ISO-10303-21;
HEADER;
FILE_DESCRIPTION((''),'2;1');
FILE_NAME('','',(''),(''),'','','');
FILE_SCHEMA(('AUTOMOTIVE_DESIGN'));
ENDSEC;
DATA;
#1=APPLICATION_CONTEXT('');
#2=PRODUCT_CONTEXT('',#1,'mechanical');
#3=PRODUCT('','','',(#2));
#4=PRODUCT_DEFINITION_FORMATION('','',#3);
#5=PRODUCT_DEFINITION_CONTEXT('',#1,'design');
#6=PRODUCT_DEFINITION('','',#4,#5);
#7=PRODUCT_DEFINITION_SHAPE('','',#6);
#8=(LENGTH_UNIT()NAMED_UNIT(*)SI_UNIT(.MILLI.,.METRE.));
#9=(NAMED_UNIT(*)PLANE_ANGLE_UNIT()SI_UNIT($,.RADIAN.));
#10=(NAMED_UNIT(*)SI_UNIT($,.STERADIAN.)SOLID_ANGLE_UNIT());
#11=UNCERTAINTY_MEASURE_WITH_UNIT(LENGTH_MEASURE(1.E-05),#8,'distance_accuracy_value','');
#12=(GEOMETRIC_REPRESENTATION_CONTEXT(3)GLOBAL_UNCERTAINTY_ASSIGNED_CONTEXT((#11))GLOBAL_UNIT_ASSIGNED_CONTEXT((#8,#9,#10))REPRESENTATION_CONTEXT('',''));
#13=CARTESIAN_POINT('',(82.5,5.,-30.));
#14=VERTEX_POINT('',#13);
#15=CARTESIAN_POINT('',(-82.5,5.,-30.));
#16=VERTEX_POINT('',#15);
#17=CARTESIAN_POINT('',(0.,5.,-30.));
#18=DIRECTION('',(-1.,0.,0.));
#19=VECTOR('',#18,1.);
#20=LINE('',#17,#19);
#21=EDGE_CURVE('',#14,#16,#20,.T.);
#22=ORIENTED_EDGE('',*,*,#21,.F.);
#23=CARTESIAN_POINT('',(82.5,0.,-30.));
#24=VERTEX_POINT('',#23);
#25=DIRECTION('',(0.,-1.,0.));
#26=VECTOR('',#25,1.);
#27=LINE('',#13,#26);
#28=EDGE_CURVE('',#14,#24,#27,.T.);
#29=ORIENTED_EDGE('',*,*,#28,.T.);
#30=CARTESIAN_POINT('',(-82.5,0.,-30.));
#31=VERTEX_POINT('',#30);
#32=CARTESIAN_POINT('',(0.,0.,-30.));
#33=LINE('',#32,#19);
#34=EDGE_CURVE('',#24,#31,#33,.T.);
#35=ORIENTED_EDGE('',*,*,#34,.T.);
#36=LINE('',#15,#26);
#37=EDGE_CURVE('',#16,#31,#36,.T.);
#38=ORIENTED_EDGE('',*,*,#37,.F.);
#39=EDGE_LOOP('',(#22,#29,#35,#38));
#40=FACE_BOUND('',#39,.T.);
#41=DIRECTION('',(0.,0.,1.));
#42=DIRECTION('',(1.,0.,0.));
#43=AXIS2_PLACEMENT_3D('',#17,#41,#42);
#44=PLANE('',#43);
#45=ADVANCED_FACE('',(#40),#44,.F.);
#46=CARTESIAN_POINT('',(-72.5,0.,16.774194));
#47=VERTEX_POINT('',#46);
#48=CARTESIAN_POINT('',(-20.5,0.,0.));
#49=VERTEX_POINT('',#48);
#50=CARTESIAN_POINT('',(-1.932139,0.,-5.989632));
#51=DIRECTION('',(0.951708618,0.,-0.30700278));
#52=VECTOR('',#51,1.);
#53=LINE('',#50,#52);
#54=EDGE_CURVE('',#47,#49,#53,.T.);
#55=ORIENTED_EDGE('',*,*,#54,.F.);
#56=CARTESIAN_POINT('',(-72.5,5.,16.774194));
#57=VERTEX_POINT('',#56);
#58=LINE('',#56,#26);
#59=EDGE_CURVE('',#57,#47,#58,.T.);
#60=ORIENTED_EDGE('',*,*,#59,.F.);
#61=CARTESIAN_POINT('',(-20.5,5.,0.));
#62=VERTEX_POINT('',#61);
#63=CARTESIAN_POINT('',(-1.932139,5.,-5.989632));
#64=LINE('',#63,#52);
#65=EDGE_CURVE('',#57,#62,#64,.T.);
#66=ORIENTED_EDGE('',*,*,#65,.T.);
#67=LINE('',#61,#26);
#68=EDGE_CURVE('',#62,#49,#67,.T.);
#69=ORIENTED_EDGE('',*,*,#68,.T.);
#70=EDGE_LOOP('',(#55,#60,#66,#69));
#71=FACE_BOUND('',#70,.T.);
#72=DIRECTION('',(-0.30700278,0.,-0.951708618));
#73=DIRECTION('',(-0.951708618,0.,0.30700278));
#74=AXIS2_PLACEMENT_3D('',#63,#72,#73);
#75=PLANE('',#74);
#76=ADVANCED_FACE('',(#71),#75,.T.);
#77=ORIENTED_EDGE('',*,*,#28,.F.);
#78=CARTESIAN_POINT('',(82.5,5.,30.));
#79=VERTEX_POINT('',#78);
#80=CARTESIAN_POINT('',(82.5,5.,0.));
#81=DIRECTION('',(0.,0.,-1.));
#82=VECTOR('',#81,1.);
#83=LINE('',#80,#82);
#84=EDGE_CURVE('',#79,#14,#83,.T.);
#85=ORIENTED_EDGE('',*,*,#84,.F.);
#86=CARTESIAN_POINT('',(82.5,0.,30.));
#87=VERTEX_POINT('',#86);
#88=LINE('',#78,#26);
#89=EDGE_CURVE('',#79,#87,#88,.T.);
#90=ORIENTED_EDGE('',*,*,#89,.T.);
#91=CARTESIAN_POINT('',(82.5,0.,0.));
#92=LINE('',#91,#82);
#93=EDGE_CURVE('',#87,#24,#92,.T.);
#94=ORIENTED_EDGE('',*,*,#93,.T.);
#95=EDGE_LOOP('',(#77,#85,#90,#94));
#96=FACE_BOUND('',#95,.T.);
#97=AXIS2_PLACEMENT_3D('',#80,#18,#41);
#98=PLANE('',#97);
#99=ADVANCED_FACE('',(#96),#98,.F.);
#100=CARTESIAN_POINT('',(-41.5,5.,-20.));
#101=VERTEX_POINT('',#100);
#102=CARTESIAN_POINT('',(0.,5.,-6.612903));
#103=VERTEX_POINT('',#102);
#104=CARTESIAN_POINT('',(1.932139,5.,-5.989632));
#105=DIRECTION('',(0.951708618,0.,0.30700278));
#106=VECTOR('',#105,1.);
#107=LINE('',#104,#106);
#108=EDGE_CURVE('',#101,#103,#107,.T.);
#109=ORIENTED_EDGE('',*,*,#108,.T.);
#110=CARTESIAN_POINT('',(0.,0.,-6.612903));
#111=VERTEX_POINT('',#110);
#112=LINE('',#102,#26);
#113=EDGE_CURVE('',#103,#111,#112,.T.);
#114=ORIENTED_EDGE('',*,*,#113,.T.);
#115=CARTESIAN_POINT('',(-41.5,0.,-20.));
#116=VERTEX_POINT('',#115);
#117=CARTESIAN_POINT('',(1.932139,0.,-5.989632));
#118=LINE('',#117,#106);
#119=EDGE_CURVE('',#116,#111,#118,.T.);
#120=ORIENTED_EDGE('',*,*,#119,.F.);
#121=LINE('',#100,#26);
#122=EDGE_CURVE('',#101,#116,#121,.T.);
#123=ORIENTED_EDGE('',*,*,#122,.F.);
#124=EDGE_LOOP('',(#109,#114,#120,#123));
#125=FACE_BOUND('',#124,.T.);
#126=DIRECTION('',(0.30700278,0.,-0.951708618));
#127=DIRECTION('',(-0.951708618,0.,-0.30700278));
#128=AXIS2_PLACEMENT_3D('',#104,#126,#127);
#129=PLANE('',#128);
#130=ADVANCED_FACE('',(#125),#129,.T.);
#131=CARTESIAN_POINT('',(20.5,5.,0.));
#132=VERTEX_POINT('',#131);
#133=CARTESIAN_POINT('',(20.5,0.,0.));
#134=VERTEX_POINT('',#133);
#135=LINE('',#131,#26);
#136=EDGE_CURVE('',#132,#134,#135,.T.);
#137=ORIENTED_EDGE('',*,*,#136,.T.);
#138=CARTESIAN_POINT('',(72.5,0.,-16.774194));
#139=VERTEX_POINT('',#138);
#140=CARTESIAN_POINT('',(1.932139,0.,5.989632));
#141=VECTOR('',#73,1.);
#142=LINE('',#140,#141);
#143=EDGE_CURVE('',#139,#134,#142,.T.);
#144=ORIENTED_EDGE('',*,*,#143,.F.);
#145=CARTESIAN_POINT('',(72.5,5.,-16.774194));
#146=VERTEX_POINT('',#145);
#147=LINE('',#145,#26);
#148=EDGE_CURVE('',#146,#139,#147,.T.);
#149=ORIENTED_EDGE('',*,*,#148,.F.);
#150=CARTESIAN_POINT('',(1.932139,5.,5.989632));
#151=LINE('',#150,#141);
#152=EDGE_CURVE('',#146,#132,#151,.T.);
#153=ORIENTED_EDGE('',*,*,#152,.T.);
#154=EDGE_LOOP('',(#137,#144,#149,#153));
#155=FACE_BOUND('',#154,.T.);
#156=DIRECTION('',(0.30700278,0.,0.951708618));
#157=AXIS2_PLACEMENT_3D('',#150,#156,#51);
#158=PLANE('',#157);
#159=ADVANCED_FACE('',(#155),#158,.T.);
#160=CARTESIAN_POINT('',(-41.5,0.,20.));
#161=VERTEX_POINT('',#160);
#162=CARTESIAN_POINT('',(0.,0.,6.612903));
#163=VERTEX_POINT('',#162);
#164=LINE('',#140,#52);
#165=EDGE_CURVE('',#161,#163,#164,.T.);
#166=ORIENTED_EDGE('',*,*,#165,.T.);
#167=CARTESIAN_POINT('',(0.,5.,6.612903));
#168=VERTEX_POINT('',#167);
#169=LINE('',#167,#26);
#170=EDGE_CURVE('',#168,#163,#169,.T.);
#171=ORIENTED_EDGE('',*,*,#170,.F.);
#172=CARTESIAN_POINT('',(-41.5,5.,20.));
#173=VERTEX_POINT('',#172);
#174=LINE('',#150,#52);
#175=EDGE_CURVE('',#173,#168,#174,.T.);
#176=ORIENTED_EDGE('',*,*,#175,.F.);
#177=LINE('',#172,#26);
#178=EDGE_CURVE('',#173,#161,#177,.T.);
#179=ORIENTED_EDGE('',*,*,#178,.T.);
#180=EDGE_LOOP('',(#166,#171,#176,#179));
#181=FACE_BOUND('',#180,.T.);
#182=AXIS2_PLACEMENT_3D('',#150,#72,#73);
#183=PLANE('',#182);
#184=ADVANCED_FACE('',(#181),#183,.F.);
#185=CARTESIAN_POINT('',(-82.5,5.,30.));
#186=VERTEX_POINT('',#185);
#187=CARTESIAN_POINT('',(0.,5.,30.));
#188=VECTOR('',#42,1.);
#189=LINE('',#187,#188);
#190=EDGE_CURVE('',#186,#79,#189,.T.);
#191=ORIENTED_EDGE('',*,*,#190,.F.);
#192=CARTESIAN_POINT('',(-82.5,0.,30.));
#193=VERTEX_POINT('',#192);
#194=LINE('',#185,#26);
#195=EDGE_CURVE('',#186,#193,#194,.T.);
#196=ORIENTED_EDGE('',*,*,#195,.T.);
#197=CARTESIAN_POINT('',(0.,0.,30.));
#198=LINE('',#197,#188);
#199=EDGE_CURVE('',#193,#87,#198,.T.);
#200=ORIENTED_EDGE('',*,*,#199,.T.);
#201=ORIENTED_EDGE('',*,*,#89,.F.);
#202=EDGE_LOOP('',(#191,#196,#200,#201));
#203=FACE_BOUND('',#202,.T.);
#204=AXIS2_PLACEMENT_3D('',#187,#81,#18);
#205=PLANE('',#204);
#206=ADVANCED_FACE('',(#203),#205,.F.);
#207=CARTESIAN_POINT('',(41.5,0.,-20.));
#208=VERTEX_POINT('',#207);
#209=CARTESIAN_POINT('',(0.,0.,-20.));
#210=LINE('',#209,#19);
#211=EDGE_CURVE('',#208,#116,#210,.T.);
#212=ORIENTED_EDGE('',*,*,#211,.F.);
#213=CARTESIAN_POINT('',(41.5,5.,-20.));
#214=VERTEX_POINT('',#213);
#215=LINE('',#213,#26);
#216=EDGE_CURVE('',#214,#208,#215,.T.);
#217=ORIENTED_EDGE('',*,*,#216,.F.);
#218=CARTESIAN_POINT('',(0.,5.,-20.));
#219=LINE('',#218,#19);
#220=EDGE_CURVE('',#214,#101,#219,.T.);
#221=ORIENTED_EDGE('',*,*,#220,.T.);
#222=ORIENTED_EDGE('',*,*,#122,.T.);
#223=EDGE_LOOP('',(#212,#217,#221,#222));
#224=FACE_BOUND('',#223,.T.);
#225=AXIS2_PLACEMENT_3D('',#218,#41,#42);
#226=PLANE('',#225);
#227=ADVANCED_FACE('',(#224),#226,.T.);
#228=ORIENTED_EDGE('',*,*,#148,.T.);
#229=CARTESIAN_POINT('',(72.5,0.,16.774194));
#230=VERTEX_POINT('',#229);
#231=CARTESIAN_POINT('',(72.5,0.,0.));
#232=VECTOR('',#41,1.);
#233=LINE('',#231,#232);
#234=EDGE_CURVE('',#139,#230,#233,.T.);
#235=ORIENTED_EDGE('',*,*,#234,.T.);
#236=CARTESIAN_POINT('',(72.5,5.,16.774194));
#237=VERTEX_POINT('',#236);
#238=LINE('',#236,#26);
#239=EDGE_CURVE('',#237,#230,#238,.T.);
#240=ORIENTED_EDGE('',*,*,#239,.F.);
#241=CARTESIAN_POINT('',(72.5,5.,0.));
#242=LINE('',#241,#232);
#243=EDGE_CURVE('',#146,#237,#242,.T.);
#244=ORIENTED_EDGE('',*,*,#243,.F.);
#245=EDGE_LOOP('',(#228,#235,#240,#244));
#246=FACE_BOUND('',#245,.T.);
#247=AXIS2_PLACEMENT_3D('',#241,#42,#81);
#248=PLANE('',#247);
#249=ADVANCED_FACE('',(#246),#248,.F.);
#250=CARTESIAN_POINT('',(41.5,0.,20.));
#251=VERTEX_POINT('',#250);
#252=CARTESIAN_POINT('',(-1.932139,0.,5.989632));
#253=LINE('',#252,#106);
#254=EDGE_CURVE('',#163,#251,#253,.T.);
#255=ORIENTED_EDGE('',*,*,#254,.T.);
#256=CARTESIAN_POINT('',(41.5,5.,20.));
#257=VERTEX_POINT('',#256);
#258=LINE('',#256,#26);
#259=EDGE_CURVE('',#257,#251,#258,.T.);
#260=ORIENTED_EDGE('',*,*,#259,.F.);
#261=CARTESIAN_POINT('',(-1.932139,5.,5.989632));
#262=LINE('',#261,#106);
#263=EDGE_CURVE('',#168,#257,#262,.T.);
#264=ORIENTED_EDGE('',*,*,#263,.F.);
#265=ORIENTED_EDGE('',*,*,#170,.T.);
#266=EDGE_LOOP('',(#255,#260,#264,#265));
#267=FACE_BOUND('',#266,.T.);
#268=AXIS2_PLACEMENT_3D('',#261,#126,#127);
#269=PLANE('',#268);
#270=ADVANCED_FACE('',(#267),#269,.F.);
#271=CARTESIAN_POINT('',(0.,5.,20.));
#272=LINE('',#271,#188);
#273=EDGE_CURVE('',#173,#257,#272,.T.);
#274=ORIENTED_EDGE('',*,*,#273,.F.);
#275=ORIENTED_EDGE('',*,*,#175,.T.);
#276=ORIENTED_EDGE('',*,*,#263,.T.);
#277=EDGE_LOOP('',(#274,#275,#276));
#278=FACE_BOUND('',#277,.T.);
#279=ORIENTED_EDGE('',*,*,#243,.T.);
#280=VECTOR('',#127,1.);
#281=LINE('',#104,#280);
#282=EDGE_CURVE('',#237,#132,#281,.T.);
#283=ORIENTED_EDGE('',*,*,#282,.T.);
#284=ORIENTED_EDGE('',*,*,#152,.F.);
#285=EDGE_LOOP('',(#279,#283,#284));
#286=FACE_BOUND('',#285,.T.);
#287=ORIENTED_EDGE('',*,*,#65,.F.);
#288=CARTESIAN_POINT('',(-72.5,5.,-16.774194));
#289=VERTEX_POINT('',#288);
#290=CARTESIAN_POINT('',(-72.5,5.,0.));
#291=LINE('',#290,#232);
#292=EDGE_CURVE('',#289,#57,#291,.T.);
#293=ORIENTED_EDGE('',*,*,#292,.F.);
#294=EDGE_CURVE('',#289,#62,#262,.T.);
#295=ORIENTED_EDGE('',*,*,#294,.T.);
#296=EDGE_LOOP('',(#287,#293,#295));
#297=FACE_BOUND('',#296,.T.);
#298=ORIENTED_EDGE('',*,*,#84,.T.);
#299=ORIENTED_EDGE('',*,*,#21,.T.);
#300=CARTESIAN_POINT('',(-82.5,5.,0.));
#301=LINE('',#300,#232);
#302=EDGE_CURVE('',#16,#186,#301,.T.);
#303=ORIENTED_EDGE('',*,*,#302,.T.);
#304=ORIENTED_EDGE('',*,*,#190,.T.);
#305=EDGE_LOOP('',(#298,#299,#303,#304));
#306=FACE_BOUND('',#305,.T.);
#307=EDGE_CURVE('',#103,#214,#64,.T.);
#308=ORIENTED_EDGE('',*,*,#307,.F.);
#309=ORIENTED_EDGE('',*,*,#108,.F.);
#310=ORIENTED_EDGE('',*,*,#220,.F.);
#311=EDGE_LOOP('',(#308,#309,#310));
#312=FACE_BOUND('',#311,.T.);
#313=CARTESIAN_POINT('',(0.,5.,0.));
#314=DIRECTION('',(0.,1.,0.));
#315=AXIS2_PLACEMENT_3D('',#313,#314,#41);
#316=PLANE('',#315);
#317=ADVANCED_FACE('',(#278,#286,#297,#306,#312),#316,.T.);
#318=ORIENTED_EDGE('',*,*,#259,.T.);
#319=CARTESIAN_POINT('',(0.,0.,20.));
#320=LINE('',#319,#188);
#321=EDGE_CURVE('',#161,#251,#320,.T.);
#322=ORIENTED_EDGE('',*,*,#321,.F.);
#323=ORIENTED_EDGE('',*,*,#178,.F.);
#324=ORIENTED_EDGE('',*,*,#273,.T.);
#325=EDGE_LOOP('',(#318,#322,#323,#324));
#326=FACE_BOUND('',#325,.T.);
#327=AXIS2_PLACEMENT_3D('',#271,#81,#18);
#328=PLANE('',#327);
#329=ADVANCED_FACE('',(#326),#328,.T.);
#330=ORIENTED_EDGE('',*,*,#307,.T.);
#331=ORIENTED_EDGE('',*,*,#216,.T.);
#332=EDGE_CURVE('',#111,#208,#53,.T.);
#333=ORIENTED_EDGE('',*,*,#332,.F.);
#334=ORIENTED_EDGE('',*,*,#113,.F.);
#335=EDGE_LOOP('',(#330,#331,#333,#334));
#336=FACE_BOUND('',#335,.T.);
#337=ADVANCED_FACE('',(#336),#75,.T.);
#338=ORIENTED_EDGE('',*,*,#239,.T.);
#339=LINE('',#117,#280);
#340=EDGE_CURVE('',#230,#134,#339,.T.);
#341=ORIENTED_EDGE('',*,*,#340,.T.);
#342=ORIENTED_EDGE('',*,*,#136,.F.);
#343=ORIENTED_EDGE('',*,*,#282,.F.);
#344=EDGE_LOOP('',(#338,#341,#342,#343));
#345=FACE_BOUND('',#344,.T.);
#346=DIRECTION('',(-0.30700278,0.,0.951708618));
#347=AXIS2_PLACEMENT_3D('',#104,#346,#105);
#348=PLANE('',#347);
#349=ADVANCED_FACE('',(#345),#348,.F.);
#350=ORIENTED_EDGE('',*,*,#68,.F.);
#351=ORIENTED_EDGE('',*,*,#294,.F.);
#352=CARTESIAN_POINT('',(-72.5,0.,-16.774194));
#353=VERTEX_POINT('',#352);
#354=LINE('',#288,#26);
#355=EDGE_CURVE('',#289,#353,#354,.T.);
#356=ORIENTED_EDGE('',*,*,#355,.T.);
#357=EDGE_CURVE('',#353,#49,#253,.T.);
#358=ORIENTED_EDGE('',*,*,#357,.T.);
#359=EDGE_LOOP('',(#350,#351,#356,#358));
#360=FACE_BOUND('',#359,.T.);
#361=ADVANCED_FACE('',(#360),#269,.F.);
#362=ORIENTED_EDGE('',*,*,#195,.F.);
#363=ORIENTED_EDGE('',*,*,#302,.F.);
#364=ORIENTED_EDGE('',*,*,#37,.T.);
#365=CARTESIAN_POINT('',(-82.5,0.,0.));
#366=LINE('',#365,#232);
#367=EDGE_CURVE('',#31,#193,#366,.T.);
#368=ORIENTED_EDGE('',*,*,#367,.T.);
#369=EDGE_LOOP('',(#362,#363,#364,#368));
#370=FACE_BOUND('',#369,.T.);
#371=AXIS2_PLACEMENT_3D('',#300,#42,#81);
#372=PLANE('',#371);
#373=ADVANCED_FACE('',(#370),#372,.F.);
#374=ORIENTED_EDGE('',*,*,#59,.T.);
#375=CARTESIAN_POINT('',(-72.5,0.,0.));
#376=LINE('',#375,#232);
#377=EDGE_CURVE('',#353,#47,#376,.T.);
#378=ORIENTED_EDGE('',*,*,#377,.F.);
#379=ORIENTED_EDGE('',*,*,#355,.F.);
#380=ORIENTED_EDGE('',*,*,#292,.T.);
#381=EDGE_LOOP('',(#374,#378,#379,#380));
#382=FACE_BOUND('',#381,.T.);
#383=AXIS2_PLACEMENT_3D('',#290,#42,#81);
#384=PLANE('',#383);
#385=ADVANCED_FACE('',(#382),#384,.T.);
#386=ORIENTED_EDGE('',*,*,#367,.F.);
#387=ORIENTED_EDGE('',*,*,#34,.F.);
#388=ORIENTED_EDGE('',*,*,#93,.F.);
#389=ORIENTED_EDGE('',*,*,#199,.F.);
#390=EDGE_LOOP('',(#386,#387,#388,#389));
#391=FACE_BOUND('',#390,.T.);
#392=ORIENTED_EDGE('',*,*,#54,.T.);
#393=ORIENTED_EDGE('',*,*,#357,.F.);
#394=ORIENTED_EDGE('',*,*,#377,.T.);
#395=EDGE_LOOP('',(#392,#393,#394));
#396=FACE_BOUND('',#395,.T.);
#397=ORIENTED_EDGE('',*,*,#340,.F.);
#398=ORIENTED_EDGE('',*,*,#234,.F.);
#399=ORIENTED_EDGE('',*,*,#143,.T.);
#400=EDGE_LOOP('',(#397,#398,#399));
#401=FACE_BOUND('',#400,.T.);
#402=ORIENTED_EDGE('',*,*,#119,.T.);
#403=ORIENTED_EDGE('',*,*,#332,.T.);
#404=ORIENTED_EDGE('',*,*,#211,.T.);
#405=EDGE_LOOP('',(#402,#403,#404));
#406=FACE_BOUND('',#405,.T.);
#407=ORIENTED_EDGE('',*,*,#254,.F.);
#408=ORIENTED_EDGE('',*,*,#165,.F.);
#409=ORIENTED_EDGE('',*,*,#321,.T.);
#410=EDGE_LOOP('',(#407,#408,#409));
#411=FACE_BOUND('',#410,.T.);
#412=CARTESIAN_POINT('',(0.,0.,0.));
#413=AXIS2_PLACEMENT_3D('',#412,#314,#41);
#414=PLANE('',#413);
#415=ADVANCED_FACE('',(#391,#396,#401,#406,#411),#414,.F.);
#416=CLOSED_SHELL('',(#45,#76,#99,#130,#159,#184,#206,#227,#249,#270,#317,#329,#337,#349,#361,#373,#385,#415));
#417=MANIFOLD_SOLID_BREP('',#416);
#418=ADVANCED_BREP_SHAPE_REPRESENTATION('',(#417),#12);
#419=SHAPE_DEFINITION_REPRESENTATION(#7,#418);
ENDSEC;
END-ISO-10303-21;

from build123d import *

# Parameters (mm, degrees)
SKETCH1_W           = 165
SKETCH1_H           = 60
BOSS_EXTRUDE1_DEPTH = 5


with BuildPart() as part:
    # Sketch1 → Boss-Extrude1 (new body)
    with BuildSketch(Plane(origin=(0, 0, 0), x_dir=(1, 0, 0), z_dir=(0, 1, 0))):
        Rectangle(SKETCH1_W, SKETCH1_H)
        Polygon((-72.5, 16.774193548), (-20.5, 0), (-72.5, -16.774193548), align=None, mode=Mode.SUBTRACT)
        Polygon((-41.5, 19.999999898), (0, 6.612903124), (41.5, 19.999999898), align=None, mode=Mode.SUBTRACT)
        Polygon((72.5, 16.774193548), (20.5, 0), (72.5, -16.774193548), align=None, mode=Mode.SUBTRACT)
        Polygon((0, -6.612903124), (41.5, -19.999999898), (-41.5, -19.999999898), align=None, mode=Mode.SUBTRACT)
    extrude(amount=BOSS_EXTRUDE1_DEPTH)


solid = part.part
